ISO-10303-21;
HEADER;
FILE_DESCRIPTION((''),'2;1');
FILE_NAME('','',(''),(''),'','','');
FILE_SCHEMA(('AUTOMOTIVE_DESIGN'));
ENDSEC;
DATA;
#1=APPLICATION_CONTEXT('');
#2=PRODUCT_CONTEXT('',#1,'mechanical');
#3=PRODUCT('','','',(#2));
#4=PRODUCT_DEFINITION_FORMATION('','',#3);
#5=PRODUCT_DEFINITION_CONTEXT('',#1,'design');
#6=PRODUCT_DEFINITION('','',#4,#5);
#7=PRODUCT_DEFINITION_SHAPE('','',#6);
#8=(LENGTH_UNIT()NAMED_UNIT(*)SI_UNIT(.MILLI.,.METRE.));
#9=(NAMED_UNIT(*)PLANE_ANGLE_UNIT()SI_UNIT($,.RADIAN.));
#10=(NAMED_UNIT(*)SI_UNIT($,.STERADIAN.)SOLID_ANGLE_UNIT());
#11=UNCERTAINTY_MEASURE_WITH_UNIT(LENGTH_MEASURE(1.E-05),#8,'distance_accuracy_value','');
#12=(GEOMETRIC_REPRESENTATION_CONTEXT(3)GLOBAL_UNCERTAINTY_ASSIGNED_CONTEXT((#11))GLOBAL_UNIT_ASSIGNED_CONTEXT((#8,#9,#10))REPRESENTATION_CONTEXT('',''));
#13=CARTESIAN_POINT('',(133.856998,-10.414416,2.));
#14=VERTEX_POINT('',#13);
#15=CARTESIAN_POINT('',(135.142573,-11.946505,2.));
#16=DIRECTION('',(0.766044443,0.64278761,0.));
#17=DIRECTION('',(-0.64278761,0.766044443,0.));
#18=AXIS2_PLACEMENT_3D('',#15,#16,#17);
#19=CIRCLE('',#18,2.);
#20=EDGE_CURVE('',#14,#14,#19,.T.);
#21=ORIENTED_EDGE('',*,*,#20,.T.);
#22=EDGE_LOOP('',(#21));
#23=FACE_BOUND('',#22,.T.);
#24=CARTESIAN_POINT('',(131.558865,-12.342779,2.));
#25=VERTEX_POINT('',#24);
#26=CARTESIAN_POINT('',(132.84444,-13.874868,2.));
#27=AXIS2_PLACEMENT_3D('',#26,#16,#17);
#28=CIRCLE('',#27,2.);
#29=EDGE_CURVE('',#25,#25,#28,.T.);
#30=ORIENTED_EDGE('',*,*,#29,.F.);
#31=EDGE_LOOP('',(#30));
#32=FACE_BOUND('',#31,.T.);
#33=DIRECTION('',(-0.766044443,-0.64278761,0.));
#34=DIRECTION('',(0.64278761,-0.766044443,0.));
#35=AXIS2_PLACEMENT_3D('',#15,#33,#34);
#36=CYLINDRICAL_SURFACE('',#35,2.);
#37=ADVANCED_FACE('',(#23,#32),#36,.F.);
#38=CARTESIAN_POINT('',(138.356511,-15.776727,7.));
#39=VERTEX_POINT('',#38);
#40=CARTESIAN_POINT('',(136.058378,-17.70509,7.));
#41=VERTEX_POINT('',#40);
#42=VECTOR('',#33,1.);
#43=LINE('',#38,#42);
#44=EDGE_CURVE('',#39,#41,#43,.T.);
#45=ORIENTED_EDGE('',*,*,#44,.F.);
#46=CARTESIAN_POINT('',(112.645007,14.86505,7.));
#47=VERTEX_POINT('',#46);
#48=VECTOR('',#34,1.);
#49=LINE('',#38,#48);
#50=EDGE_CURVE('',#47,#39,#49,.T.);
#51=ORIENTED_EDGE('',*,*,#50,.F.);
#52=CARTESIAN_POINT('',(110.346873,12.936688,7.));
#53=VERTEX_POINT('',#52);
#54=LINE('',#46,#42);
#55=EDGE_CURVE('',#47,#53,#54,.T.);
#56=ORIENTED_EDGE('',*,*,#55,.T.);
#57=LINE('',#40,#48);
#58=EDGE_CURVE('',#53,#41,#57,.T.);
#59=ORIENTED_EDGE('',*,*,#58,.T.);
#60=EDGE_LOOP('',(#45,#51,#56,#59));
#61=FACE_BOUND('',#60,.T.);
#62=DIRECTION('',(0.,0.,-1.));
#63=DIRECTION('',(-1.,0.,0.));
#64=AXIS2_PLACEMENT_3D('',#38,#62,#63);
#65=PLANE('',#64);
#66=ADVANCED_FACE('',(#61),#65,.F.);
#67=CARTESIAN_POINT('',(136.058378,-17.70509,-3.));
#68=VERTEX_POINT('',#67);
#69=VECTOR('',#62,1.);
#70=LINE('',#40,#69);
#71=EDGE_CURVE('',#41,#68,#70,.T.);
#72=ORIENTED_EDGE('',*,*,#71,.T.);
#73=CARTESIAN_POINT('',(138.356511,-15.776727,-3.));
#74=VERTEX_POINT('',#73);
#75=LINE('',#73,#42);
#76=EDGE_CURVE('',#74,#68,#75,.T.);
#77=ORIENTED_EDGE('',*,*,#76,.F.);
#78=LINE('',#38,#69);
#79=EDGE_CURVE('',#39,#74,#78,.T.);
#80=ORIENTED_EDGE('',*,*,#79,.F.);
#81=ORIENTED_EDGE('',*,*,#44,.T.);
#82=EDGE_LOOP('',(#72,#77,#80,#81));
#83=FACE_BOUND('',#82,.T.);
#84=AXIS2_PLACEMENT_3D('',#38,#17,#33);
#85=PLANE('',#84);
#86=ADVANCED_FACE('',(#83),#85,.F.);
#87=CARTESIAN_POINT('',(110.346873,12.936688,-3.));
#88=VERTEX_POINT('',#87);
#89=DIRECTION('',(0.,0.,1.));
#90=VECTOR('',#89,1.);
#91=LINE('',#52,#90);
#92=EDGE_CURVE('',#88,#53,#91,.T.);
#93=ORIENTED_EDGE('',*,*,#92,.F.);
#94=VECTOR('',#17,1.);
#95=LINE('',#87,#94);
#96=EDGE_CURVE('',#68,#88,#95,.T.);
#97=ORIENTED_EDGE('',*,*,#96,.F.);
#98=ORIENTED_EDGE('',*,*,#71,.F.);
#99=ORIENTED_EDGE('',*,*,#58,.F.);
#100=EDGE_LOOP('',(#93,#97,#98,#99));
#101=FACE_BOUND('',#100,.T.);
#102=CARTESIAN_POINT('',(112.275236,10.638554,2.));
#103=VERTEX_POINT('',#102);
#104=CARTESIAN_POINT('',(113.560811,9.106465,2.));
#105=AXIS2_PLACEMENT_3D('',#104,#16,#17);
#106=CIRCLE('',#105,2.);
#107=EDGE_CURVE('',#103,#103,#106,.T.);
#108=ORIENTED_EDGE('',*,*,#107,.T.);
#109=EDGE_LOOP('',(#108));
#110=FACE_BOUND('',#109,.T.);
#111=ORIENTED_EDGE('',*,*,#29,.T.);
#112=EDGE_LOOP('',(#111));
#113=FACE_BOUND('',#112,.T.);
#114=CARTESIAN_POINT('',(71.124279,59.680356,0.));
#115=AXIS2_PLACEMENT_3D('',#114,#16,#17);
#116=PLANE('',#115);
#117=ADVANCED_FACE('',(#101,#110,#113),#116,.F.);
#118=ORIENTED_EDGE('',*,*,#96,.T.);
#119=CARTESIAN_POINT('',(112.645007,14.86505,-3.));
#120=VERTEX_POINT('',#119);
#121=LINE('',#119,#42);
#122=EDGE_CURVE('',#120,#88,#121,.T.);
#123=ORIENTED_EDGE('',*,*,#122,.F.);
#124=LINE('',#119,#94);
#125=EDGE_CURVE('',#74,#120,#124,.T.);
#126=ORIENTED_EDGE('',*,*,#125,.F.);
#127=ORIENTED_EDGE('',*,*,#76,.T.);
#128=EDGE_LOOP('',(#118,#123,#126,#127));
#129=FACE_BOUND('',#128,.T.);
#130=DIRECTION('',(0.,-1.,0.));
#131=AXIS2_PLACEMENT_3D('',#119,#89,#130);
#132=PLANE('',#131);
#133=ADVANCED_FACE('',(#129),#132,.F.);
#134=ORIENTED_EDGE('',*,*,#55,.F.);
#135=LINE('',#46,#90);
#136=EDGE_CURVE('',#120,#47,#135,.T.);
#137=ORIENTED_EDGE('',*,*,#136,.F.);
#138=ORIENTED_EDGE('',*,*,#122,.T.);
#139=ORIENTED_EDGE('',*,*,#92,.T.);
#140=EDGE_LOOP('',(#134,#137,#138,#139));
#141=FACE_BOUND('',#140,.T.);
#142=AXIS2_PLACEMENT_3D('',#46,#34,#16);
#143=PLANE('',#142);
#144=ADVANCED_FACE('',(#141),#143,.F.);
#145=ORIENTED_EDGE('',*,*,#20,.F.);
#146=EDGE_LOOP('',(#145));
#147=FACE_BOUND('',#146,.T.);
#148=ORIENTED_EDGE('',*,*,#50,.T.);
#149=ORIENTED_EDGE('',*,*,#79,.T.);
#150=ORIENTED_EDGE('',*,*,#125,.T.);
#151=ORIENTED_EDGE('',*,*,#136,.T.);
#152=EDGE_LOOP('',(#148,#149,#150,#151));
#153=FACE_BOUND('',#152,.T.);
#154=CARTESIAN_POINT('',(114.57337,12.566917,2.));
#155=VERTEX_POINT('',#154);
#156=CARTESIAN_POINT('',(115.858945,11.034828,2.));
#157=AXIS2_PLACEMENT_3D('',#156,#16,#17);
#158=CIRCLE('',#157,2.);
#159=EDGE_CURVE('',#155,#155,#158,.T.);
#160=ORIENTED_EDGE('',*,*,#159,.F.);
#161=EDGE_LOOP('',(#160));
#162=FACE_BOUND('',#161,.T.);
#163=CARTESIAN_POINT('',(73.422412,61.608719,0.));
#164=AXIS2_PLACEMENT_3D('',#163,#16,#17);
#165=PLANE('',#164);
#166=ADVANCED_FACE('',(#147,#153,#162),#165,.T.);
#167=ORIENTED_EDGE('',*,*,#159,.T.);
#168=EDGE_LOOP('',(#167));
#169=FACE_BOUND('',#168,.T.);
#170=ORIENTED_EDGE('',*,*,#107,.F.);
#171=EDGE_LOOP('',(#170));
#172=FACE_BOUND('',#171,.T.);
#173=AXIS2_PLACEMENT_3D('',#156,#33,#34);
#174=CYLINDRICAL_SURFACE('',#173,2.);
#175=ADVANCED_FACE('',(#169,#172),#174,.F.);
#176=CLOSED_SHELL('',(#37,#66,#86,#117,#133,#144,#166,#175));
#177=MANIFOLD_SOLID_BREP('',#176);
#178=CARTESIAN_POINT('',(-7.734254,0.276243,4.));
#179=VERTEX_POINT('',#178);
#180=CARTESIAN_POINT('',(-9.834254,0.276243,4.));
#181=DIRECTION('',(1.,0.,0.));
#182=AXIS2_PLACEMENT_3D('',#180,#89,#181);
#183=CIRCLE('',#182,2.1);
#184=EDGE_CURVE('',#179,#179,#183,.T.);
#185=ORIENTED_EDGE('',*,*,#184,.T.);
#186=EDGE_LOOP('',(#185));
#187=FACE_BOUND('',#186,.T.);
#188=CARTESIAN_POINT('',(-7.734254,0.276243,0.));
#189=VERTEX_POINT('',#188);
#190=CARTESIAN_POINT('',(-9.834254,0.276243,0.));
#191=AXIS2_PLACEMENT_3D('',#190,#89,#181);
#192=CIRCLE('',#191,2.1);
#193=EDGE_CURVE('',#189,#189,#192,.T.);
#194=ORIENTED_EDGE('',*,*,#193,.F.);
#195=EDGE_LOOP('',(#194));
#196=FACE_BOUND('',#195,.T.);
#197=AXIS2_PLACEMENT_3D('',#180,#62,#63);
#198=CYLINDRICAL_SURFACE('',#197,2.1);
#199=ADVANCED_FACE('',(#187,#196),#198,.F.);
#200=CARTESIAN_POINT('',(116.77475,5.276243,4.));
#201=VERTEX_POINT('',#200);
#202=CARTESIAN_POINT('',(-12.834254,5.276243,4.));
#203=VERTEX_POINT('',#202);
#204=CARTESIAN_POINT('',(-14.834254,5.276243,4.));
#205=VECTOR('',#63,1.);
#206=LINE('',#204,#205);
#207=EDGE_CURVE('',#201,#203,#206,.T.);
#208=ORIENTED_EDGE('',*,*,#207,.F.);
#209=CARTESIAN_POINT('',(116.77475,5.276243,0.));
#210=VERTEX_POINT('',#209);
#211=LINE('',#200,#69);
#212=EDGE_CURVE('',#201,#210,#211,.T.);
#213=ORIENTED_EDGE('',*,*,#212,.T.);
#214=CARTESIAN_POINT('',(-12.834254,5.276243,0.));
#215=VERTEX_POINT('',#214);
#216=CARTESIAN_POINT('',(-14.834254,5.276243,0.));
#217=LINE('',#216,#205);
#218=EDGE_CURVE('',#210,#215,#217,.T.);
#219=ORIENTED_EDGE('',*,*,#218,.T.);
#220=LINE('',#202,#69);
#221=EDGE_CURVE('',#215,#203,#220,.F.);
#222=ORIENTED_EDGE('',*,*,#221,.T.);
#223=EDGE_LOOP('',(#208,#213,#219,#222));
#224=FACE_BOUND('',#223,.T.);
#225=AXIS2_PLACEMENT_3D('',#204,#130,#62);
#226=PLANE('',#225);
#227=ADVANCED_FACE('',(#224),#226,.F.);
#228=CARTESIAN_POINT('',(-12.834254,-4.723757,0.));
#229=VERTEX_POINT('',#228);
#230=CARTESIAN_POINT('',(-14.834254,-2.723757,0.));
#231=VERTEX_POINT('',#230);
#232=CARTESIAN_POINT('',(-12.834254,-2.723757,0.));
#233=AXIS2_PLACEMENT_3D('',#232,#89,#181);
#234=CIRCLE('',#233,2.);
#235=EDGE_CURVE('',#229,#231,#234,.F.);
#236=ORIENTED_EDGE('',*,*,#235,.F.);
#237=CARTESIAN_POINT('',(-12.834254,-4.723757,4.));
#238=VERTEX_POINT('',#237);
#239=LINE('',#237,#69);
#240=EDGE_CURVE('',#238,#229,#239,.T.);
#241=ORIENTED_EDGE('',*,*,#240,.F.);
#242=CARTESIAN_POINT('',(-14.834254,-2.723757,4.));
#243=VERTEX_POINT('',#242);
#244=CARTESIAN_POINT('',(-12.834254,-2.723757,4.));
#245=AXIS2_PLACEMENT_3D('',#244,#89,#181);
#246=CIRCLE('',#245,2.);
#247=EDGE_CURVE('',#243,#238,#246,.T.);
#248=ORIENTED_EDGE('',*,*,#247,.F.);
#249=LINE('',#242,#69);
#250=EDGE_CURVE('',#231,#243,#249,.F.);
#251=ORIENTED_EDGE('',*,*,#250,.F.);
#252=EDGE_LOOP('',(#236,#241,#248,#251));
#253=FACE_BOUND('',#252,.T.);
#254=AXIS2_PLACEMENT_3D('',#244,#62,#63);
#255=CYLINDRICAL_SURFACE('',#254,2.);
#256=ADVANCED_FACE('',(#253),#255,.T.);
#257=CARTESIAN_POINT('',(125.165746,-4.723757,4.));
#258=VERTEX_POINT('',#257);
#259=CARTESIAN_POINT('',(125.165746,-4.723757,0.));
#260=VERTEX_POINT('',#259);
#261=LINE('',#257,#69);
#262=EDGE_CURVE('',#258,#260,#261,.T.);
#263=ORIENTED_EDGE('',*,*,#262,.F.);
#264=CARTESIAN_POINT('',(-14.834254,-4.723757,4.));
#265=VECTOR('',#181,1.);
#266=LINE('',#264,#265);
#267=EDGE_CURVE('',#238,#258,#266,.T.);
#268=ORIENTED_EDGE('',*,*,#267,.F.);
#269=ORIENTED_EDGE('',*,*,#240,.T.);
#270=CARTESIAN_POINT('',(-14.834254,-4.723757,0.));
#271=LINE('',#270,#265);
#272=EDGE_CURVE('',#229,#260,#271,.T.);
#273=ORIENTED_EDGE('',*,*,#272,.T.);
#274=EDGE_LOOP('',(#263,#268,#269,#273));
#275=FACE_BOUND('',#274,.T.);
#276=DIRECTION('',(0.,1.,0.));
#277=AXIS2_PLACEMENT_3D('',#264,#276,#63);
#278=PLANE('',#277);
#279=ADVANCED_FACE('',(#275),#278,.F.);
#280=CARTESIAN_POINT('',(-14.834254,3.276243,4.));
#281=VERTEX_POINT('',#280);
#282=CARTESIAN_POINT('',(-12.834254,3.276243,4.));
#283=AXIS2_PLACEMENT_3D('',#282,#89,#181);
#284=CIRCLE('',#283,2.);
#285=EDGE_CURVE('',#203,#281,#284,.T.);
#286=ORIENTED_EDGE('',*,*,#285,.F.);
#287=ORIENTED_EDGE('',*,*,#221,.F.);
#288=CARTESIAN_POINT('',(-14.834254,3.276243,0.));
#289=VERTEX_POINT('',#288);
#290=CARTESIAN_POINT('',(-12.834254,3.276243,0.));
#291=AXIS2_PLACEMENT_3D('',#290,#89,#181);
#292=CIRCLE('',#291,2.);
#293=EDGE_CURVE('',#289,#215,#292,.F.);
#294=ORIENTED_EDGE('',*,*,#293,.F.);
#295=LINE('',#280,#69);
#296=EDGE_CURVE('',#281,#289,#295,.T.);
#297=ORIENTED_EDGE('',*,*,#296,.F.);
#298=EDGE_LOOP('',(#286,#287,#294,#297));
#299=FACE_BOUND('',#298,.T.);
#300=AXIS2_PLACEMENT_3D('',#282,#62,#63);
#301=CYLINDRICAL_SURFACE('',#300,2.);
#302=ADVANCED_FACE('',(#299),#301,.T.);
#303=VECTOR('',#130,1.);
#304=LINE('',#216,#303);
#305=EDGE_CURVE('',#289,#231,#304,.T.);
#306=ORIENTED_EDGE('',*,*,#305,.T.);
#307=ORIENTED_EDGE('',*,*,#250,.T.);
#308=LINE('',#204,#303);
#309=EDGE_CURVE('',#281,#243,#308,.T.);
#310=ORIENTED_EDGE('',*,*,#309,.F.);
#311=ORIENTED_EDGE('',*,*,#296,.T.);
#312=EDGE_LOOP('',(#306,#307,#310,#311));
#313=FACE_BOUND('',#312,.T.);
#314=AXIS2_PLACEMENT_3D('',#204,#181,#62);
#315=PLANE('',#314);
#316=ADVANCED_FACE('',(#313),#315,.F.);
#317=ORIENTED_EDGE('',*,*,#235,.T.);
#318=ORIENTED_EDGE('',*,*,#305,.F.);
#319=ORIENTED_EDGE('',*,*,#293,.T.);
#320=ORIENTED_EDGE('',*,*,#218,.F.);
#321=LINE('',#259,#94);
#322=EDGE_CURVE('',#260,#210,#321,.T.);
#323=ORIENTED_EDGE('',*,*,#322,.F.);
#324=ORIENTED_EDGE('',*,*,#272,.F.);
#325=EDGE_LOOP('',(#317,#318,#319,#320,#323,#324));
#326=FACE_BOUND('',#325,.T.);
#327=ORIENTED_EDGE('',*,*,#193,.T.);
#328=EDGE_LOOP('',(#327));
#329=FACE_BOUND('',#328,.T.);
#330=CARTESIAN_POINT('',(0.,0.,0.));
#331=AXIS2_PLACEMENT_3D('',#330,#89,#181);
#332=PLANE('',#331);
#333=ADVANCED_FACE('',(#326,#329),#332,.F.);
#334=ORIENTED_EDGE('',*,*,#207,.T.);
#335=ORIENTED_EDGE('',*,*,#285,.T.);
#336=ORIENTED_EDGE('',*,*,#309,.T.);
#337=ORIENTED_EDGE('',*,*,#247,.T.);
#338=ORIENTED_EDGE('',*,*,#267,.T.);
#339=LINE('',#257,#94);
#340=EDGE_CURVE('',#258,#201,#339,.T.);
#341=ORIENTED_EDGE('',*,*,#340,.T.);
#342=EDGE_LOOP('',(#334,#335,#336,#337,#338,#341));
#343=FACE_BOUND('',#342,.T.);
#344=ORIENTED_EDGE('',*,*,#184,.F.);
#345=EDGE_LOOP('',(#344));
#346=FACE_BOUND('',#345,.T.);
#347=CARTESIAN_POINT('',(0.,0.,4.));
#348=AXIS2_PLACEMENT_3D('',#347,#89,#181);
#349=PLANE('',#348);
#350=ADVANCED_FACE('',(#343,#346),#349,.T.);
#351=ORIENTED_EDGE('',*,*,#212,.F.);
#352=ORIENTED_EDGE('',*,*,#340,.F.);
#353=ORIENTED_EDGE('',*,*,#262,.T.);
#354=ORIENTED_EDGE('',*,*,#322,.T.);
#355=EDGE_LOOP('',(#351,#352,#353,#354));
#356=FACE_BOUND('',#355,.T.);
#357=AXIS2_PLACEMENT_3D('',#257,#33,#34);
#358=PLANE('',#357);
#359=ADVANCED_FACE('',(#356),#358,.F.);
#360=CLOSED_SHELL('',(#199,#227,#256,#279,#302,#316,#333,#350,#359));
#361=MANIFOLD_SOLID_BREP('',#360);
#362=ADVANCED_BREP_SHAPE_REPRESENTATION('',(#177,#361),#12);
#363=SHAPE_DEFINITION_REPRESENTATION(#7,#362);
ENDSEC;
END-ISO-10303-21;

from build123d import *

# Parameters (mm, degrees)
SKETCH_1_R      = 2.1
EXTRUDE_1_DEPTH = 4
FILLET_1_R      = 2
SKETCH_2_W      = 10
SKETCH_2_H      = 40
SKETCH_2_R      = 2
EXTRUDE_2_DEPTH = 3


with BuildPart() as part:
    # 草图1 → 凸台-拉伸1 (new body)
    with BuildSketch(Plane.XY):
        Polygon((125.165745856, -4.723756906), (116.774749545, 5.276243094), (-14.834254144, 5.276243094), (-14.834254144, -4.723756906), align=None)
        with Locations((-9.834254144, 0.276243094)):
            Circle(SKETCH_1_R, mode=Mode.SUBTRACT)
    extrude(amount=EXTRUDE_1_DEPTH)

    # 圆角1
    fillet_1_edges = [part.edges().sort_by_distance(p)[0] for p in [
        (-14.834254144, 5.276243094, 2),
        (-14.834254144, -4.723756906, 2),
    ]]
    fillet(fillet_1_edges, radius=FILLET_1_R)


with BuildPart() as body_2:
    # 草图2 → 凸台-拉伸2 (new body)
    with BuildSketch(Plane(origin=(71.124278553, 59.680355902, 0), x_dir=(0, 0, -1), z_dir=(0.7660444431189745, 0.6427876096865437, 0))):
        with Locations((-2, -81.019525429)):
            Rectangle(SKETCH_2_W, SKETCH_2_H)
        with Locations(Location((-2, -66.019525429, 0), (0, 0, 90))):
            Circle(SKETCH_2_R, mode=Mode.SUBTRACT)
        with Locations(Location((-2, -96.019525429, 0), (0, 0, 90))):
            Circle(SKETCH_2_R, mode=Mode.SUBTRACT)
    extrude(amount=EXTRUDE_2_DEPTH)


solid = Compound([part.part, body_2.part])
